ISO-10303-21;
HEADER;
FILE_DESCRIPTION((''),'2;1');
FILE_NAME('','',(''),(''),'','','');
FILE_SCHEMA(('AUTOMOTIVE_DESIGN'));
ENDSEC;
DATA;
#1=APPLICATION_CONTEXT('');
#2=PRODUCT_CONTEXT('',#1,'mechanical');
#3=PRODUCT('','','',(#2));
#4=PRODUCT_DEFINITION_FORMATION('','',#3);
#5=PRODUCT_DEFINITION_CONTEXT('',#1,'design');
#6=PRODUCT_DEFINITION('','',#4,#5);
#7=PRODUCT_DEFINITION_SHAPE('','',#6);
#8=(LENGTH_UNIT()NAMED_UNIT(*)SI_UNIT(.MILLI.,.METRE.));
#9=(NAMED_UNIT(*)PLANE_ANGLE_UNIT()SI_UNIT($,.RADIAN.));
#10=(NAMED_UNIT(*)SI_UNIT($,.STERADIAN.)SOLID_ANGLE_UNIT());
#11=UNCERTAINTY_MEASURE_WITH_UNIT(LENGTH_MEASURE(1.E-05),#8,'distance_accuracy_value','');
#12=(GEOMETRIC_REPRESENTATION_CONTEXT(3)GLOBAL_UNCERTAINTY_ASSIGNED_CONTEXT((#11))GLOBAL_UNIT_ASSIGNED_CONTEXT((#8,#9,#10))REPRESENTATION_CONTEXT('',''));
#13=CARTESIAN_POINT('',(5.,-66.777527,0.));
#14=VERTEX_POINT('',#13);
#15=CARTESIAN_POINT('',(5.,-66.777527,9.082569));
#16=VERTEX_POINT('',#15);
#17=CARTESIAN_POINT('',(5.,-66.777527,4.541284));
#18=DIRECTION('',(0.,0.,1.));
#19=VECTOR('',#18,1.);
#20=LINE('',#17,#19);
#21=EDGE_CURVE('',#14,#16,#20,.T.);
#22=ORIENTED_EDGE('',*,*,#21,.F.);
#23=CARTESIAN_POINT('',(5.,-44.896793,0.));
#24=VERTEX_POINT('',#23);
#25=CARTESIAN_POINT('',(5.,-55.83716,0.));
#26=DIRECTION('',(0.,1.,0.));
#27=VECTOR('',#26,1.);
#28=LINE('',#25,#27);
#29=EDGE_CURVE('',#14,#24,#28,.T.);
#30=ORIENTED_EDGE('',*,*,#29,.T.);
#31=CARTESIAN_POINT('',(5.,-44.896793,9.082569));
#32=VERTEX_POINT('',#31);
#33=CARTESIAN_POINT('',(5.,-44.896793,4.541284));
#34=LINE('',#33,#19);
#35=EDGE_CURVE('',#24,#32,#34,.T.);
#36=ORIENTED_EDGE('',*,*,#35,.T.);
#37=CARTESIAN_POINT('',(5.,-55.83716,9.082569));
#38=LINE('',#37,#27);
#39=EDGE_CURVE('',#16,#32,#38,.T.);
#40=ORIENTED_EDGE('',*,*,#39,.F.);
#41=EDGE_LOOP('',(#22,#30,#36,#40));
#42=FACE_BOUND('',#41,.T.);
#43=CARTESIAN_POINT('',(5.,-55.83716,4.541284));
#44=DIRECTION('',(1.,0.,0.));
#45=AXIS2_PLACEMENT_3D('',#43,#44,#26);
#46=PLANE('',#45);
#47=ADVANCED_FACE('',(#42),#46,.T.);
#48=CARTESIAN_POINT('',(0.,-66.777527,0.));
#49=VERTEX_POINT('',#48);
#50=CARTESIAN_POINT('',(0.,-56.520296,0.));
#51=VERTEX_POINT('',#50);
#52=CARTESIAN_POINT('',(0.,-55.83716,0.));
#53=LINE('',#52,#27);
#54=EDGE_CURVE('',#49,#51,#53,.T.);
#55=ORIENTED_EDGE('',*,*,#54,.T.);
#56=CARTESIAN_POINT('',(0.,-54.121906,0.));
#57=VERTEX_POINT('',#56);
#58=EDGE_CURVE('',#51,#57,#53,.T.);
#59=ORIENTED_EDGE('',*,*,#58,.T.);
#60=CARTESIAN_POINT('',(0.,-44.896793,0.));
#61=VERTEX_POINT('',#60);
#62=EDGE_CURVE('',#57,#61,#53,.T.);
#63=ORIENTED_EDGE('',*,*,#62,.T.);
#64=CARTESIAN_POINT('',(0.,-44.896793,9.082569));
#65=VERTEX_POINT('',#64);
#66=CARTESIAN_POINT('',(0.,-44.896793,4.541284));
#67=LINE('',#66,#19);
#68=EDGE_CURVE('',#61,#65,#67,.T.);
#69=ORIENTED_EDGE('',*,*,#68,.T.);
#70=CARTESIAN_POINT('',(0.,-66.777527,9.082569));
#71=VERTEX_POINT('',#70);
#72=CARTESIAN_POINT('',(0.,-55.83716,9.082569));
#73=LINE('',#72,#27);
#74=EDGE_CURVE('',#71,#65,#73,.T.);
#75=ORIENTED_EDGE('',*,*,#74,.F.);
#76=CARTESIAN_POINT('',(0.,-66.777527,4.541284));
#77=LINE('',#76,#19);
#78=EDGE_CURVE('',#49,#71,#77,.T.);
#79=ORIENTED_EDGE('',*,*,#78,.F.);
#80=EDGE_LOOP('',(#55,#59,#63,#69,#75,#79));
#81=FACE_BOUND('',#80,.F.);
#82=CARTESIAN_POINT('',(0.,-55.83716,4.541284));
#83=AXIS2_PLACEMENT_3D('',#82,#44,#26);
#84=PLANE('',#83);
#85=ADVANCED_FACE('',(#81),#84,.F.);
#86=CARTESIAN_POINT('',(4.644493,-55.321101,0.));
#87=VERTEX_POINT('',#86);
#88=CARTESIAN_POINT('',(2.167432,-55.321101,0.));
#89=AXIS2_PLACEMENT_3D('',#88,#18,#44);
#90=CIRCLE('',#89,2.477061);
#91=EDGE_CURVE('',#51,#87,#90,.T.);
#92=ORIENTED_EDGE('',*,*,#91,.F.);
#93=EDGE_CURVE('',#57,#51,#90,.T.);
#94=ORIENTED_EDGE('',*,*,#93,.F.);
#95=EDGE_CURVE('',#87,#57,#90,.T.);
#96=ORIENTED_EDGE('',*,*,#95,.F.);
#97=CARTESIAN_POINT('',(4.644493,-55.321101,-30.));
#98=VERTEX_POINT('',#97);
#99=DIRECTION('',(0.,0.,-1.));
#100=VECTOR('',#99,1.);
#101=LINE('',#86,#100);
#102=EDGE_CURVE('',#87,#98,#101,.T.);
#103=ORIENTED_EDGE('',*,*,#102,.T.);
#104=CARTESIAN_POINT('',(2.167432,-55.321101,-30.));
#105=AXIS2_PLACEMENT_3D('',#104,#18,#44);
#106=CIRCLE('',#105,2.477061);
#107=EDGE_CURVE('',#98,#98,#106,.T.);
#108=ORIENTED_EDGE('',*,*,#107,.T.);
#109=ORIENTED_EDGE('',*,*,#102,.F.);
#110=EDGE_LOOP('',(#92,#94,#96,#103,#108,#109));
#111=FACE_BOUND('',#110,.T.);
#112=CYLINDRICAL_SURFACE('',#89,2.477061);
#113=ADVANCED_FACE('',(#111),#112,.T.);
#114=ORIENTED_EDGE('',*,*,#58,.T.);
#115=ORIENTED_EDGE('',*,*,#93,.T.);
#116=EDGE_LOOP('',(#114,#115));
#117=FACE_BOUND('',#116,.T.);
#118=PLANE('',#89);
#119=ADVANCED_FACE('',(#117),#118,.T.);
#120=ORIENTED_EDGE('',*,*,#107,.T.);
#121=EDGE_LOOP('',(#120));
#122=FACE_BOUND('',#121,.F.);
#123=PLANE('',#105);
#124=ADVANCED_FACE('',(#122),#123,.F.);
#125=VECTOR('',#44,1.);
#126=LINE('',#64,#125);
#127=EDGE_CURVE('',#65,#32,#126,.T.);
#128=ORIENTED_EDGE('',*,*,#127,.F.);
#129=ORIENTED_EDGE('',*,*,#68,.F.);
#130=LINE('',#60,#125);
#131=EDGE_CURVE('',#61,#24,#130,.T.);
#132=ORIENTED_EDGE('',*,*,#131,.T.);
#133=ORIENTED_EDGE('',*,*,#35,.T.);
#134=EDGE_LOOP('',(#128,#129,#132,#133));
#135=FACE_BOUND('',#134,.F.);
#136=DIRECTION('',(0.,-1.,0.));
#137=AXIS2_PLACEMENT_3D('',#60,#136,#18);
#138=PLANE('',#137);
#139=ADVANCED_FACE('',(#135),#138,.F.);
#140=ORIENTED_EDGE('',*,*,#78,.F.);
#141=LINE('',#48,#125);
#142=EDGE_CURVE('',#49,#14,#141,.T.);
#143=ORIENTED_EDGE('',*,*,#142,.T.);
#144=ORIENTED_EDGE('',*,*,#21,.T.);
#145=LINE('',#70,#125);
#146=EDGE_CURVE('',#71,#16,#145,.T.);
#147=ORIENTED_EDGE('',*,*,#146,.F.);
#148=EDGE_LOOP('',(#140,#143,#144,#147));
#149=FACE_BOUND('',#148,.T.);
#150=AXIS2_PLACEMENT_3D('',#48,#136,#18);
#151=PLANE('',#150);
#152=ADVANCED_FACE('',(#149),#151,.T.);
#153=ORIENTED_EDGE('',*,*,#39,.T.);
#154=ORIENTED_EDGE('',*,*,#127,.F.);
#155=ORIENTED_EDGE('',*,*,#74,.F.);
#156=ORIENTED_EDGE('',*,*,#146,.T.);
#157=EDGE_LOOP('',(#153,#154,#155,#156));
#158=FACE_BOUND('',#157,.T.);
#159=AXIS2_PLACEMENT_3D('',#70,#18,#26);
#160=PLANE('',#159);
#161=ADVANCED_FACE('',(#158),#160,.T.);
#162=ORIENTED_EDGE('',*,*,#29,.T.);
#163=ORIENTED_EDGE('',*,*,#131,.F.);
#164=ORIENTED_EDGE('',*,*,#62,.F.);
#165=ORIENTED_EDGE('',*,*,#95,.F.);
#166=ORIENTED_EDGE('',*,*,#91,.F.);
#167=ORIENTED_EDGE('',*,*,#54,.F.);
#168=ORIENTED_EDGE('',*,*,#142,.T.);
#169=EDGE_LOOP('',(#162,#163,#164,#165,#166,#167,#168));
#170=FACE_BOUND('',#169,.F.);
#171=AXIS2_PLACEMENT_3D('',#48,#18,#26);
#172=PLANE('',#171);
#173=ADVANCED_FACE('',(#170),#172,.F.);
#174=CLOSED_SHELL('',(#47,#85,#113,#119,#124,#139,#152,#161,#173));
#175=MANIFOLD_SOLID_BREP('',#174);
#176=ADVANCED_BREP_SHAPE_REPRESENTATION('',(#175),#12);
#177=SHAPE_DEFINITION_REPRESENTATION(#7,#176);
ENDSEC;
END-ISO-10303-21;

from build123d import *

# Parameters (mm, degrees)
F0_W     = 21.880734
F0_H     = 9.082569
F1_DEPTH = 5
F2_R     = 2.477061
F3_DEPTH = 30


with BuildPart() as f1:
    # F0 (on Right) → F1 (new body)
    with BuildSketch(Plane.YZ):
        with Locations((-55.83716, 4.541284)):
            Rectangle(F0_W, F0_H)
    extrude(amount=F1_DEPTH)

    # F2 (on Top) → F3 (join)
    with BuildSketch(Plane.XY):
        with Locations((2.167432, -55.321101)):
            Circle(F2_R)
    extrude(amount=-F3_DEPTH)


solid = f1.part
